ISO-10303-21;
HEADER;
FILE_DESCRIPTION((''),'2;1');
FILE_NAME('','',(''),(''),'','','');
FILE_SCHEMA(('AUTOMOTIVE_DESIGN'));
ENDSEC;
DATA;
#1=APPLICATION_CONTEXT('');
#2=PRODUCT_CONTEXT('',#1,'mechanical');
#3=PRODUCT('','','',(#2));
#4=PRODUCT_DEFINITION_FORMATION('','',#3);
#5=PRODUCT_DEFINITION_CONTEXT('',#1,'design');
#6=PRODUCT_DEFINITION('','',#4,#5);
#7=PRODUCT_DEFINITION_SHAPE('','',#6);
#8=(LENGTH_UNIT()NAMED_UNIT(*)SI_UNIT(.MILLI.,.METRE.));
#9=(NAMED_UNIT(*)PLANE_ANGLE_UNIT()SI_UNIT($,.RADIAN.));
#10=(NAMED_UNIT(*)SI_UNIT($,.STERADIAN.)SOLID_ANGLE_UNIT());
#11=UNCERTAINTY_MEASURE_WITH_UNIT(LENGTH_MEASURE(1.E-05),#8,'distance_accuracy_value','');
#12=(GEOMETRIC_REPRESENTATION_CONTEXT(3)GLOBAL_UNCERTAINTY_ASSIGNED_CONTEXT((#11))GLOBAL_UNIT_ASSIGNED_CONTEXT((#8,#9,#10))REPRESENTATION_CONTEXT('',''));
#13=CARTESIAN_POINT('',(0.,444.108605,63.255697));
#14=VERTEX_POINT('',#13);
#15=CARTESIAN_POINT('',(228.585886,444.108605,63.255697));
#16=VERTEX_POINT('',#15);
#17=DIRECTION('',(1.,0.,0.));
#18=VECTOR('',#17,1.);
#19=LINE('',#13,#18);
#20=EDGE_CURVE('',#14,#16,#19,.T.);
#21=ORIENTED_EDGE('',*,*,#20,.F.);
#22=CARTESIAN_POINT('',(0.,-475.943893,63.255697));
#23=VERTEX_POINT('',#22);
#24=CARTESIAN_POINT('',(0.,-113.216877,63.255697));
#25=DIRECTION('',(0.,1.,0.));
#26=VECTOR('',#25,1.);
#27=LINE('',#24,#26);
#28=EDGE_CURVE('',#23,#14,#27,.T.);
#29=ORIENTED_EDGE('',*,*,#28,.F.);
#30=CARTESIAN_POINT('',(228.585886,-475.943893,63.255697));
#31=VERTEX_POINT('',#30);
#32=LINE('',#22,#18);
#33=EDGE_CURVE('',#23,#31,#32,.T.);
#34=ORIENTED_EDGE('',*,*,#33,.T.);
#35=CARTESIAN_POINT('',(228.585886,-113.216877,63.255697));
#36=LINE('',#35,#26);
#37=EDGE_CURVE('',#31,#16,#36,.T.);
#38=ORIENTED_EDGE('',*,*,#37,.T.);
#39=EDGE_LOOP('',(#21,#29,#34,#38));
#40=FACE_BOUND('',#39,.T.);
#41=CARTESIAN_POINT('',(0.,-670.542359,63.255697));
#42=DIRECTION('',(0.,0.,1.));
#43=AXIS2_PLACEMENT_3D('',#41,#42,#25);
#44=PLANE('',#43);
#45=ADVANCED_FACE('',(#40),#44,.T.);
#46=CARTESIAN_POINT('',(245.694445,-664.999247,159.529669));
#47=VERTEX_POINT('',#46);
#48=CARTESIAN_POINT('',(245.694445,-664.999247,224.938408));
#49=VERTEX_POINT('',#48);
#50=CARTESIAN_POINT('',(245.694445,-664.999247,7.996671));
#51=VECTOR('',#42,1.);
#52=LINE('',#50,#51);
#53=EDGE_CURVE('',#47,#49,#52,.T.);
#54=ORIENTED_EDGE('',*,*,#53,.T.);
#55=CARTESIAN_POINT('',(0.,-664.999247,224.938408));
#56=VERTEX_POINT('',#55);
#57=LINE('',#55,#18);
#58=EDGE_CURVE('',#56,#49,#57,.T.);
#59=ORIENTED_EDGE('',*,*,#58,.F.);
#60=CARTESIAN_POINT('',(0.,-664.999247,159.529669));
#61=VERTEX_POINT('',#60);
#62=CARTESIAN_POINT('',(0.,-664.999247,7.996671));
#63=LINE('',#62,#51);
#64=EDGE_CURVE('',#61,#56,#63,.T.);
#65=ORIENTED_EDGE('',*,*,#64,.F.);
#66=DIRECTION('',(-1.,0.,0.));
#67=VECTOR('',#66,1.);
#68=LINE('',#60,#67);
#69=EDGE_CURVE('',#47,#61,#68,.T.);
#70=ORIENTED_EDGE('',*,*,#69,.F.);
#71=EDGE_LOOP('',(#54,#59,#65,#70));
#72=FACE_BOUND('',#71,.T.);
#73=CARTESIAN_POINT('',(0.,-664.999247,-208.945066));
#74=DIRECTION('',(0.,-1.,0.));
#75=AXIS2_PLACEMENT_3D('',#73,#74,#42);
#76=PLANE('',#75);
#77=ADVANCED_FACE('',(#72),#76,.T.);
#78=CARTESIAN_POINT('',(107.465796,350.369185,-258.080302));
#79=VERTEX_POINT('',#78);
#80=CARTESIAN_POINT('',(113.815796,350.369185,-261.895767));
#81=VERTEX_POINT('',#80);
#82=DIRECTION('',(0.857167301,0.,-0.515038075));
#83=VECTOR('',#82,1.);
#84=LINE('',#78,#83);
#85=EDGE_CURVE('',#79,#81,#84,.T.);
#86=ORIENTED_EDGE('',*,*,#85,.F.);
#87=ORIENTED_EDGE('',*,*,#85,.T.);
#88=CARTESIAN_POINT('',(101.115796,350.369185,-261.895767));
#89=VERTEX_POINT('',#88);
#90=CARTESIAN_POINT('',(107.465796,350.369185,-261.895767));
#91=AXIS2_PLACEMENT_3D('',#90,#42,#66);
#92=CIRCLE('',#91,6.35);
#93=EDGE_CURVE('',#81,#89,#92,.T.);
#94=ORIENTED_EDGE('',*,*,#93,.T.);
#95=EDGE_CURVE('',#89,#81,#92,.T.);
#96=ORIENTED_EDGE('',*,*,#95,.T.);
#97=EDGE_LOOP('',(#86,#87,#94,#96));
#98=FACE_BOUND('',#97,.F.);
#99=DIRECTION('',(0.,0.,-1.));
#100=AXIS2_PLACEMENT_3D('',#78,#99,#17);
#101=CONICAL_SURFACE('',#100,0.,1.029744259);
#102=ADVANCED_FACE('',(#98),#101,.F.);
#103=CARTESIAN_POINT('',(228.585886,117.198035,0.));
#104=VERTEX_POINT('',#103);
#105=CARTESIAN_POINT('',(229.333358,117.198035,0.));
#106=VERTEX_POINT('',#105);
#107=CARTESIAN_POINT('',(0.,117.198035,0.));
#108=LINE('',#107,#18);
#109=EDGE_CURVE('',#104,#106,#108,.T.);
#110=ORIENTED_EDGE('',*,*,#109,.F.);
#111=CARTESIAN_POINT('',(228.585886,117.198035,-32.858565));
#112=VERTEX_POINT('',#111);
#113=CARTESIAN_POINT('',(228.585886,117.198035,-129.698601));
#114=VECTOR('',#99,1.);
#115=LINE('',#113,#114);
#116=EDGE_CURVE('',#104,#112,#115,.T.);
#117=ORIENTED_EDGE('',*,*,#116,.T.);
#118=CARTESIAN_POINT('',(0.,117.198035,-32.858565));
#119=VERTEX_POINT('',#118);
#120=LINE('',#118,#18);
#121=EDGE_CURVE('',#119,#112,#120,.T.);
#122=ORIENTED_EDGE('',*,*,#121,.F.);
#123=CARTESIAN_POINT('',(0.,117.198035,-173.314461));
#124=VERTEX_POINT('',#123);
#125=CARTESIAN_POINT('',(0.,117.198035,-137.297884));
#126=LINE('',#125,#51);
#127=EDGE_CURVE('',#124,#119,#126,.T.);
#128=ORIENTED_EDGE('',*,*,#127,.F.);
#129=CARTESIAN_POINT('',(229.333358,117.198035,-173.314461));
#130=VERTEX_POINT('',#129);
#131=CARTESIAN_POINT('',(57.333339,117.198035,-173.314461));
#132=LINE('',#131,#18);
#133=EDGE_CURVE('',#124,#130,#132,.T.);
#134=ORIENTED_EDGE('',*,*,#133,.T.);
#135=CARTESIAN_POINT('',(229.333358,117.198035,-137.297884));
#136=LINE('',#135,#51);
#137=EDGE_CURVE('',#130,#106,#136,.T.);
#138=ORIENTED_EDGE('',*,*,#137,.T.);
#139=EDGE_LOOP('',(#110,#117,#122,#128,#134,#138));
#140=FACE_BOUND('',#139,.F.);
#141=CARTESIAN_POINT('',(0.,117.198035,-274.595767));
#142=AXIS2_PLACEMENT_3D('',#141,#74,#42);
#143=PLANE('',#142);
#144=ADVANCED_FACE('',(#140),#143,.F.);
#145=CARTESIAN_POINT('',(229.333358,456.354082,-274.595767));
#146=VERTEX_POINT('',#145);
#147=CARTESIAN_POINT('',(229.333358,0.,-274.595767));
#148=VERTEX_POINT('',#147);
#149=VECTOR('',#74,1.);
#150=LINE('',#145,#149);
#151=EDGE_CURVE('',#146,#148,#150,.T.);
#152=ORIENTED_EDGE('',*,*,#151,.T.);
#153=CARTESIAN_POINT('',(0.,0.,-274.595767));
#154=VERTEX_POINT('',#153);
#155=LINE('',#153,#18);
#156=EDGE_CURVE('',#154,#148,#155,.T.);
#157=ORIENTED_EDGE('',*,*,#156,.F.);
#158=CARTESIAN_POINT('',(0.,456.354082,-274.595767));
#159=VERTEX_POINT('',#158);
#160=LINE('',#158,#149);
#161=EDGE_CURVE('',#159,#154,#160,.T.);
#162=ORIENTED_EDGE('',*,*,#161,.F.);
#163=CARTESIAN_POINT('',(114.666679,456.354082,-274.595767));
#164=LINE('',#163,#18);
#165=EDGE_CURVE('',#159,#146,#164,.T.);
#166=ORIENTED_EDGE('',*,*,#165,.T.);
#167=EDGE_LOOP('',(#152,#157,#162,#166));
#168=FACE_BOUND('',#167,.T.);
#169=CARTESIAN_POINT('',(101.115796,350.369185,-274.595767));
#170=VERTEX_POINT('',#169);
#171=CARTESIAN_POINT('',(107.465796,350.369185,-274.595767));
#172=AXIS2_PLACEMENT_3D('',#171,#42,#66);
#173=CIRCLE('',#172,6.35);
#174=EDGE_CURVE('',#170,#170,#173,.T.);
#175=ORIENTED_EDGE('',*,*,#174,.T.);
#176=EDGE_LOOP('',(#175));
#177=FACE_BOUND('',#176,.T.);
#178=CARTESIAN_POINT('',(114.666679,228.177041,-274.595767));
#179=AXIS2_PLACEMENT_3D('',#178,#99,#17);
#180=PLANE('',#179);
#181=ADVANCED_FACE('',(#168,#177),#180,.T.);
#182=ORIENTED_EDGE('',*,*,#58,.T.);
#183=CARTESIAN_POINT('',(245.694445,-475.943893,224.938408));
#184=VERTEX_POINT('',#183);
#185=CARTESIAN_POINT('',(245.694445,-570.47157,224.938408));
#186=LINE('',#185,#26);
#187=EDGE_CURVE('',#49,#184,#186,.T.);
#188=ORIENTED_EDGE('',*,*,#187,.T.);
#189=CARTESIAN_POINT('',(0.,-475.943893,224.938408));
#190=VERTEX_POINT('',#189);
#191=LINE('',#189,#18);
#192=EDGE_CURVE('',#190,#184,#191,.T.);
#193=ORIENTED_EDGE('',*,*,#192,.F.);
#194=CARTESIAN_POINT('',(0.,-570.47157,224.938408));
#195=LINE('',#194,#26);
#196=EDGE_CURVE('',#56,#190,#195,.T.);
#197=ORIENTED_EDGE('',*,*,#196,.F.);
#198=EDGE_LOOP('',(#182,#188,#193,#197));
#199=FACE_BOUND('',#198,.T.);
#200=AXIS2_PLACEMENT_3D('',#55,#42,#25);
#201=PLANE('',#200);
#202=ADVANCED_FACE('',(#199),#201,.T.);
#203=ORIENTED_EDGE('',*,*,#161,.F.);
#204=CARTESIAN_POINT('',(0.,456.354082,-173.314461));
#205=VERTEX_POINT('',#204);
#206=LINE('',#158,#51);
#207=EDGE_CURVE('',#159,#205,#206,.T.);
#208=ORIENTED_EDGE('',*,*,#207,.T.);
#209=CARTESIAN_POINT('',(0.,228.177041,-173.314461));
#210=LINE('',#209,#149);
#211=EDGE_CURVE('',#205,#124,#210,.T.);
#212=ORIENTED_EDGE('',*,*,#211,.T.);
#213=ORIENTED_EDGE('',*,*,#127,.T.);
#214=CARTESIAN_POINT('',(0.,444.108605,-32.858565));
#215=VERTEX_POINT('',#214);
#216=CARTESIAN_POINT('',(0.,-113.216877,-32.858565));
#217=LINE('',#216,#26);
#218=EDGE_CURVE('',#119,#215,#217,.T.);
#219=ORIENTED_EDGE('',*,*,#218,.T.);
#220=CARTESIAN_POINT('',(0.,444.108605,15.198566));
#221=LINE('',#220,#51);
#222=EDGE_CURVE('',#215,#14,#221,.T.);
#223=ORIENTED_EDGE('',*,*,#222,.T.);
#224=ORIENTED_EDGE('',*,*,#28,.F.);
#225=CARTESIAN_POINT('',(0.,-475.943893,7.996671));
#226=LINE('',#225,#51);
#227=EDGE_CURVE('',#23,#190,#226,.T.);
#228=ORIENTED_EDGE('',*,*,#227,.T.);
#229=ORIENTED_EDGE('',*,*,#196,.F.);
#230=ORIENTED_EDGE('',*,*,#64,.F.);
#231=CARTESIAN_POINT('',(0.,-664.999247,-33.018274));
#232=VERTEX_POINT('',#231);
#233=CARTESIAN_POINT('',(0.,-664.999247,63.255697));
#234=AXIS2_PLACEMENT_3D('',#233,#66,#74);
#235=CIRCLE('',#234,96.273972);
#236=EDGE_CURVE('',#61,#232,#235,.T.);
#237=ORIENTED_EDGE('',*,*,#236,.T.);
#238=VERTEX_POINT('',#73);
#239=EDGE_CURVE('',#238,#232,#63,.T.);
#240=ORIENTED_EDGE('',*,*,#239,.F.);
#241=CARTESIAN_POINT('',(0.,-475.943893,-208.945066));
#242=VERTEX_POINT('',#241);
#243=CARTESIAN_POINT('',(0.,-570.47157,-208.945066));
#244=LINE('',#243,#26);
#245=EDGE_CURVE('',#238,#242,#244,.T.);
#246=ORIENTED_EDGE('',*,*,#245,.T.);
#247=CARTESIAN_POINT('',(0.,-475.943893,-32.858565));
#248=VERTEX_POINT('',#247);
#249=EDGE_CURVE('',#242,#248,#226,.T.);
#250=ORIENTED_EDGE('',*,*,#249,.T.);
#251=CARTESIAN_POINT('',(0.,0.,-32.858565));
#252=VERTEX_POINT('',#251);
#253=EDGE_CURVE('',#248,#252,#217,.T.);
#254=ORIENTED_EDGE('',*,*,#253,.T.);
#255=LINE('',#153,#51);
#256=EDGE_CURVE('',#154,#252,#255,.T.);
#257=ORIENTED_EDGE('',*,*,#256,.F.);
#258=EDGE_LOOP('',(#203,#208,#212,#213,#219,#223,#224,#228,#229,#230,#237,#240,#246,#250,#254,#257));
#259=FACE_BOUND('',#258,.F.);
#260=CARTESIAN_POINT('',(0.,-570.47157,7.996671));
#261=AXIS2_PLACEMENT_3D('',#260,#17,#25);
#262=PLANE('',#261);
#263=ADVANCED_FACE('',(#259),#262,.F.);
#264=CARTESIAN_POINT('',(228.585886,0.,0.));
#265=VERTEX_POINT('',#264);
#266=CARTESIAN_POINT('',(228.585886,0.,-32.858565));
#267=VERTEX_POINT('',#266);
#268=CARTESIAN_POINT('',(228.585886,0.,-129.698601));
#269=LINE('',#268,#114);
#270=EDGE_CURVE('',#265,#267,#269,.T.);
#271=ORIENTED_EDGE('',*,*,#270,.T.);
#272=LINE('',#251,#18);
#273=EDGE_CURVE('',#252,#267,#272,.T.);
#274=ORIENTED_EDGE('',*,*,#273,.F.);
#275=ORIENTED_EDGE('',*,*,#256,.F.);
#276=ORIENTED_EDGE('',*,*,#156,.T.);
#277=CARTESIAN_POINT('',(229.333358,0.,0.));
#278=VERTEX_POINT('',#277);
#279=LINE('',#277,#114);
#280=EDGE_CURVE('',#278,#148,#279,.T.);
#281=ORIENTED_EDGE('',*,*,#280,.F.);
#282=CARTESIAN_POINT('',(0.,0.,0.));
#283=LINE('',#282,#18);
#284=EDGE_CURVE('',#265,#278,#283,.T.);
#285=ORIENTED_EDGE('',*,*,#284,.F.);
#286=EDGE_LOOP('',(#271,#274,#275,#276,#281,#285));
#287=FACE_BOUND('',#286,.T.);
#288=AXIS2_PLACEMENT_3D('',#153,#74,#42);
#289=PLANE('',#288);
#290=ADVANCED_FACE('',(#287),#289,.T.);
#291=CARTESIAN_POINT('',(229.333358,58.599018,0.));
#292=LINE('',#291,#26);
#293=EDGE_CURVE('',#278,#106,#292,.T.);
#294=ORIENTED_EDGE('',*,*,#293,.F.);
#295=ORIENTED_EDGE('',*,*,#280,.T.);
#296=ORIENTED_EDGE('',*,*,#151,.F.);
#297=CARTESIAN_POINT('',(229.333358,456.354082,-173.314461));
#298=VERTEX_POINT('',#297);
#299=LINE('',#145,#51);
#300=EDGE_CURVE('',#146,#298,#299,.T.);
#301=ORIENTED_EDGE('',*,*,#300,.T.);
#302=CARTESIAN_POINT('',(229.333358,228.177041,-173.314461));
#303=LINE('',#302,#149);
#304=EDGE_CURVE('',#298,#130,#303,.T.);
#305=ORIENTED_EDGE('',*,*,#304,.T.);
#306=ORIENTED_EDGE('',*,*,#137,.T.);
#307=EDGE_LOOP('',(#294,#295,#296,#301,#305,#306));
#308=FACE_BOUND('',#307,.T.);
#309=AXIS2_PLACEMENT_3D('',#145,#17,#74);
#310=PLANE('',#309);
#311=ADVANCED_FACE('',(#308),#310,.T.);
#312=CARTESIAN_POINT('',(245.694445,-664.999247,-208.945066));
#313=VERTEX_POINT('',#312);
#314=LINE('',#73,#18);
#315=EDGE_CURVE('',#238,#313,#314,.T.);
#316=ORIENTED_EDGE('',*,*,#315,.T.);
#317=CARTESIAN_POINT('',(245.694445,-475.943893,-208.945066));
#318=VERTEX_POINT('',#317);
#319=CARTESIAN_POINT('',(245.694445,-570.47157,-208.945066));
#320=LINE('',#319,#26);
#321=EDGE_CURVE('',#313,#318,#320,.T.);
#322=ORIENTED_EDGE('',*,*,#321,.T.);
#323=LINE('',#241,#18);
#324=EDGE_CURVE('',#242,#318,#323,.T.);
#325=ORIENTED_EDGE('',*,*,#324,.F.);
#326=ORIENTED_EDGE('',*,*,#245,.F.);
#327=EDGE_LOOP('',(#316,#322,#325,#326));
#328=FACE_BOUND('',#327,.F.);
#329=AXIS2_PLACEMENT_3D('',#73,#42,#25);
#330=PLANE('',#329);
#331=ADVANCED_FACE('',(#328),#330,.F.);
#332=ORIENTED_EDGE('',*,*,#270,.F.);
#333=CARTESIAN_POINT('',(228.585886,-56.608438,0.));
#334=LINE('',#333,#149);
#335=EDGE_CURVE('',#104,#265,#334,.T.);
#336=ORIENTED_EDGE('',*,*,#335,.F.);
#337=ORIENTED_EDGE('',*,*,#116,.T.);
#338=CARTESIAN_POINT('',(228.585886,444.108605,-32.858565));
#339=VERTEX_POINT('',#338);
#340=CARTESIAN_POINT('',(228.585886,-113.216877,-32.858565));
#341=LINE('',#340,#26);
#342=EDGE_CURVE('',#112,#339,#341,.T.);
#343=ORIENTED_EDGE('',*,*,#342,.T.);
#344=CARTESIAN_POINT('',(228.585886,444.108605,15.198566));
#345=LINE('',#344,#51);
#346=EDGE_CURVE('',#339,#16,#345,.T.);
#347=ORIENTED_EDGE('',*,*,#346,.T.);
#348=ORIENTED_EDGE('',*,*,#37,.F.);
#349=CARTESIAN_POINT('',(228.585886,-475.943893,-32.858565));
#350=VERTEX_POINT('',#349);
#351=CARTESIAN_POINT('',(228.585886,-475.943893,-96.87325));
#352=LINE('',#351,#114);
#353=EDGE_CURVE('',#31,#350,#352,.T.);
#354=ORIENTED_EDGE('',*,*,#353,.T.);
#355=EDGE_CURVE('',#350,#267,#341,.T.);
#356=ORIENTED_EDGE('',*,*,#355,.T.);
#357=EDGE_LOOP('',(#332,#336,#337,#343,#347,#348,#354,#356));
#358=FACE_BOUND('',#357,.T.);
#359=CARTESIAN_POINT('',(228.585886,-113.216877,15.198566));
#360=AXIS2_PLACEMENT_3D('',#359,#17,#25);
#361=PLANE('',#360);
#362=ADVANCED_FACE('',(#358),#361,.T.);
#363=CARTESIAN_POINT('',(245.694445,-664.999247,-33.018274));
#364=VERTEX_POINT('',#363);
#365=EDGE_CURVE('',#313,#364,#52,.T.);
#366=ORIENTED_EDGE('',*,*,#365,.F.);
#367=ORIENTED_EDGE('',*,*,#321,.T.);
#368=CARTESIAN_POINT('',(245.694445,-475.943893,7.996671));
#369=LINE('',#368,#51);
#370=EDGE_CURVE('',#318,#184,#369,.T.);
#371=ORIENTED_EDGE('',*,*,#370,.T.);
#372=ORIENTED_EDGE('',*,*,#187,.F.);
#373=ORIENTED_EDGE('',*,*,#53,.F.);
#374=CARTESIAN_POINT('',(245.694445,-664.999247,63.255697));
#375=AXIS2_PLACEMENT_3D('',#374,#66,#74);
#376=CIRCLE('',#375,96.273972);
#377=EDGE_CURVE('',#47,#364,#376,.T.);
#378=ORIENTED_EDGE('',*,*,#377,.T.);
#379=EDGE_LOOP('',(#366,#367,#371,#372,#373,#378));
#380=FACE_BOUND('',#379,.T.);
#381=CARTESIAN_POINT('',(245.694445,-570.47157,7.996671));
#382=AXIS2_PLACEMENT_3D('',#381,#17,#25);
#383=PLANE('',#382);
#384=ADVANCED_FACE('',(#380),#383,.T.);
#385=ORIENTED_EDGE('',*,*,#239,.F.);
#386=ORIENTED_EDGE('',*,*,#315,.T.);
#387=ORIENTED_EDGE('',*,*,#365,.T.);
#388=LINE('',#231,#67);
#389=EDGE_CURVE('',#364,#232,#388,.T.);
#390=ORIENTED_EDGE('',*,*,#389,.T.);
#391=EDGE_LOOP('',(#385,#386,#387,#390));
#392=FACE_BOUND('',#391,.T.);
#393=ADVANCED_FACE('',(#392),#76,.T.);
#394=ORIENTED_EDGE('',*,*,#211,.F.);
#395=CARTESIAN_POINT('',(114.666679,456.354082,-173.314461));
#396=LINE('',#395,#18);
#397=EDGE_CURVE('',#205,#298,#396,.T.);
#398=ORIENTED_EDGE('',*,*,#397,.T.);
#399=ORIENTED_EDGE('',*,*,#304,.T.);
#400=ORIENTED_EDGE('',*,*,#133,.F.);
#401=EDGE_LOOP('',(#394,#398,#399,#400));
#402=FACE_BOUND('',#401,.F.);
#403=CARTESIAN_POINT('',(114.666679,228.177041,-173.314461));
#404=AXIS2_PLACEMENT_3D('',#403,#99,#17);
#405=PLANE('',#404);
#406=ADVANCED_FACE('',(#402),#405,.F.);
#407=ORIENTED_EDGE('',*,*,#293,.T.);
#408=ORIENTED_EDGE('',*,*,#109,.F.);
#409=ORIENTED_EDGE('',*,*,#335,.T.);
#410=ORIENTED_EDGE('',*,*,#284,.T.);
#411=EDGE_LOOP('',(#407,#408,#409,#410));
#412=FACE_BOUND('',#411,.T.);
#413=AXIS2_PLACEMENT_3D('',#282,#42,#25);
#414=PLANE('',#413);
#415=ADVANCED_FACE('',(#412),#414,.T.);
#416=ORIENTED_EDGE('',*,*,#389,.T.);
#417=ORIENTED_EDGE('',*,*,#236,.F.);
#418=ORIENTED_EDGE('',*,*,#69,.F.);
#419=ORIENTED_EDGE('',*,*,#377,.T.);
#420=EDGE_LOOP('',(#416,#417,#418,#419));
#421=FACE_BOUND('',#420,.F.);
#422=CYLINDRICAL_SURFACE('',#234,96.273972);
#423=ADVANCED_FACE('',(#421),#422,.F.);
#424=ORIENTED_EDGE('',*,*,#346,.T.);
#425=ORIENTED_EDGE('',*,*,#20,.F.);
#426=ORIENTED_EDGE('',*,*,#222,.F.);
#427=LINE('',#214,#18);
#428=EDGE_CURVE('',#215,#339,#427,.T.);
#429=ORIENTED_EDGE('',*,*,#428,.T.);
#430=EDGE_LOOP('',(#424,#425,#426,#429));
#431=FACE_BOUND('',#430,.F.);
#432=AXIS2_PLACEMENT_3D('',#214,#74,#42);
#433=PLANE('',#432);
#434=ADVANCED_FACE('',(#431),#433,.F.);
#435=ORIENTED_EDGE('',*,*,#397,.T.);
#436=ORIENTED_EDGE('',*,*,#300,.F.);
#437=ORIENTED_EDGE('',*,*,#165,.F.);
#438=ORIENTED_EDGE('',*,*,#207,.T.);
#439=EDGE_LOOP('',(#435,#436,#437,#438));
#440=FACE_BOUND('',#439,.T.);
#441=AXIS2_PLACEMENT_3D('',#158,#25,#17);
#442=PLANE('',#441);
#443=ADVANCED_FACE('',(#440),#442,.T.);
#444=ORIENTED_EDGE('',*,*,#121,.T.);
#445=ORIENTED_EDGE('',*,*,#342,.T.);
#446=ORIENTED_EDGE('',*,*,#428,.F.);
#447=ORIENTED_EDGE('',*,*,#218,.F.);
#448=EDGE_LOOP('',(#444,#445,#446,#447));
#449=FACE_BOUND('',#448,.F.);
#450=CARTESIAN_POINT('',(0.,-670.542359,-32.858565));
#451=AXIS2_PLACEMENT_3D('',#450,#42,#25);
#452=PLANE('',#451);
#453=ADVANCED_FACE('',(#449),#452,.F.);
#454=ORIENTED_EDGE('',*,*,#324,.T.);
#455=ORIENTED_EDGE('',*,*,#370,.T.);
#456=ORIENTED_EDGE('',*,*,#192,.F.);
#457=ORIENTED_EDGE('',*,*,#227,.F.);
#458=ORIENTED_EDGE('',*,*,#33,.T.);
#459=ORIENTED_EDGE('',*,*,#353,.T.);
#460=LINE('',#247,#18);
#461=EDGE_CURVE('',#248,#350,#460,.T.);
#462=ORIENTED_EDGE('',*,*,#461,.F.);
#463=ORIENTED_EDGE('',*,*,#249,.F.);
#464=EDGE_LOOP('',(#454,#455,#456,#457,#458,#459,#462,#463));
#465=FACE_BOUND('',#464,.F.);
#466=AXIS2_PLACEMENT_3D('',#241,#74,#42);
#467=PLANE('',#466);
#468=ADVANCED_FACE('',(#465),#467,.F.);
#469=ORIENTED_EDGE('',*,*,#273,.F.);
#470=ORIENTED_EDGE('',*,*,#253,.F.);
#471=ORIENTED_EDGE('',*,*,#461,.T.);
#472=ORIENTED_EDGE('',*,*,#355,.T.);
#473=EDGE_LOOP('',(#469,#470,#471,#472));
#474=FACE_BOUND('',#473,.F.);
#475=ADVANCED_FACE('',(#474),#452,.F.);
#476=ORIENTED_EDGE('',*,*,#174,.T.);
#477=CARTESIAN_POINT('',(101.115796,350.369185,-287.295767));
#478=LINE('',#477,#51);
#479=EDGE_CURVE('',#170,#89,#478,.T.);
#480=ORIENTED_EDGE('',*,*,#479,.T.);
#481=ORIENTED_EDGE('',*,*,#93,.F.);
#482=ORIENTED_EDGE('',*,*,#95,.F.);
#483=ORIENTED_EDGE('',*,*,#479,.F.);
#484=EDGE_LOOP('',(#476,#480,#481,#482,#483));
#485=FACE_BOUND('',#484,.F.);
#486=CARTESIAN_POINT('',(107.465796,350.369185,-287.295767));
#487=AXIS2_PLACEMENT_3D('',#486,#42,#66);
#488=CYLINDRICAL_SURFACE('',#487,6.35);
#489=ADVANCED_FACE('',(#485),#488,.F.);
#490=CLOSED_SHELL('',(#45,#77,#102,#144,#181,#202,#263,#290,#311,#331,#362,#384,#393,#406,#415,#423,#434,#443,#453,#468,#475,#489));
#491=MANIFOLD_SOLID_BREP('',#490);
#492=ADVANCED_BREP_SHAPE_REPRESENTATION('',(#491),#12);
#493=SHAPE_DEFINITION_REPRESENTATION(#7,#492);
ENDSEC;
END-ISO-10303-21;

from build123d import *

# Parameters (mm, degrees)
F0_W      = 1114.6509647369
F0_H      = 96.1142629385
F1_DEPTH  = 228.5858858377
F2_W      = 117.198035121
F2_H      = 274.5957672596
F3_DEPTH  = 229.3333578855
F4_W      = 229.3333578855
F4_H      = 456.3540816307
F5_DEPTH  = 101.281305775
F6_W      = 189.0553534031
F6_H      = 433.8834732771
F7_DEPTH  = 245.6944454461
F8_R      = 96.273971764
F9_DEPTH  = 484.469877556
F11_D     = 12.7
F11_DEPTH = 12.7
F11_TIP   = 3.8154649308


with BuildPart() as f1:
    # F0 (on Right) → F1 (new body)
    with BuildSketch(Plane.YZ):
        with Locations((-113.2168769836, 15.1985660195)):
            Rectangle(F0_W, F0_H)
    extrude(amount=F1_DEPTH)

    # F2 (on Right) → F3 (join)
    with BuildSketch(Plane.YZ):
        with Locations((58.5990175605, -137.2978836298)):
            Rectangle(F2_W, F2_H)
    extrude(amount=F3_DEPTH)

    # F4 (on face) → F5 (join)
    with BuildSketch(Plane(origin=(0, 0, -274.5957672596), x_dir=(1, 0, 0), z_dir=(0, 0, -1))):
        with Locations((114.6666789427, -228.1770408154)):
            Rectangle(F4_W, F4_H)
    extrude(amount=-F5_DEPTH)

    # F6 (on Right) → F7 (join)
    with BuildSketch(Plane.YZ):
        with Locations((-570.4715698957, 7.9966709018)):
            Rectangle(F6_W, F6_H)
    extrude(amount=F7_DEPTH)

    # F8 (on face) → F9 (cut)
    with BuildSketch(Plane(origin=(0, 0, 0), x_dir=(0, -1, 0), z_dir=(-1, 0, 0))):
        with Locations((664.9992465973, 63.2556974888)):
            Circle(F8_R)
    extrude(amount=-F9_DEPTH, mode=Mode.SUBTRACT)

    # F11
    with Locations(Plane(origin=(0, 0, -274.5957672596), x_dir=(1, 0, 0), z_dir=(0, 0, -1))):
        with Locations((107.4657961726, -350.3691852093)):
            Hole(F11_D / 2, depth=F11_DEPTH)
            with Locations((0, 0, -(F11_DEPTH + F11_TIP / 2))):  # 118° drill point
                Cone(0, F11_D / 2, F11_TIP, mode=Mode.SUBTRACT)


solid = f1.part
